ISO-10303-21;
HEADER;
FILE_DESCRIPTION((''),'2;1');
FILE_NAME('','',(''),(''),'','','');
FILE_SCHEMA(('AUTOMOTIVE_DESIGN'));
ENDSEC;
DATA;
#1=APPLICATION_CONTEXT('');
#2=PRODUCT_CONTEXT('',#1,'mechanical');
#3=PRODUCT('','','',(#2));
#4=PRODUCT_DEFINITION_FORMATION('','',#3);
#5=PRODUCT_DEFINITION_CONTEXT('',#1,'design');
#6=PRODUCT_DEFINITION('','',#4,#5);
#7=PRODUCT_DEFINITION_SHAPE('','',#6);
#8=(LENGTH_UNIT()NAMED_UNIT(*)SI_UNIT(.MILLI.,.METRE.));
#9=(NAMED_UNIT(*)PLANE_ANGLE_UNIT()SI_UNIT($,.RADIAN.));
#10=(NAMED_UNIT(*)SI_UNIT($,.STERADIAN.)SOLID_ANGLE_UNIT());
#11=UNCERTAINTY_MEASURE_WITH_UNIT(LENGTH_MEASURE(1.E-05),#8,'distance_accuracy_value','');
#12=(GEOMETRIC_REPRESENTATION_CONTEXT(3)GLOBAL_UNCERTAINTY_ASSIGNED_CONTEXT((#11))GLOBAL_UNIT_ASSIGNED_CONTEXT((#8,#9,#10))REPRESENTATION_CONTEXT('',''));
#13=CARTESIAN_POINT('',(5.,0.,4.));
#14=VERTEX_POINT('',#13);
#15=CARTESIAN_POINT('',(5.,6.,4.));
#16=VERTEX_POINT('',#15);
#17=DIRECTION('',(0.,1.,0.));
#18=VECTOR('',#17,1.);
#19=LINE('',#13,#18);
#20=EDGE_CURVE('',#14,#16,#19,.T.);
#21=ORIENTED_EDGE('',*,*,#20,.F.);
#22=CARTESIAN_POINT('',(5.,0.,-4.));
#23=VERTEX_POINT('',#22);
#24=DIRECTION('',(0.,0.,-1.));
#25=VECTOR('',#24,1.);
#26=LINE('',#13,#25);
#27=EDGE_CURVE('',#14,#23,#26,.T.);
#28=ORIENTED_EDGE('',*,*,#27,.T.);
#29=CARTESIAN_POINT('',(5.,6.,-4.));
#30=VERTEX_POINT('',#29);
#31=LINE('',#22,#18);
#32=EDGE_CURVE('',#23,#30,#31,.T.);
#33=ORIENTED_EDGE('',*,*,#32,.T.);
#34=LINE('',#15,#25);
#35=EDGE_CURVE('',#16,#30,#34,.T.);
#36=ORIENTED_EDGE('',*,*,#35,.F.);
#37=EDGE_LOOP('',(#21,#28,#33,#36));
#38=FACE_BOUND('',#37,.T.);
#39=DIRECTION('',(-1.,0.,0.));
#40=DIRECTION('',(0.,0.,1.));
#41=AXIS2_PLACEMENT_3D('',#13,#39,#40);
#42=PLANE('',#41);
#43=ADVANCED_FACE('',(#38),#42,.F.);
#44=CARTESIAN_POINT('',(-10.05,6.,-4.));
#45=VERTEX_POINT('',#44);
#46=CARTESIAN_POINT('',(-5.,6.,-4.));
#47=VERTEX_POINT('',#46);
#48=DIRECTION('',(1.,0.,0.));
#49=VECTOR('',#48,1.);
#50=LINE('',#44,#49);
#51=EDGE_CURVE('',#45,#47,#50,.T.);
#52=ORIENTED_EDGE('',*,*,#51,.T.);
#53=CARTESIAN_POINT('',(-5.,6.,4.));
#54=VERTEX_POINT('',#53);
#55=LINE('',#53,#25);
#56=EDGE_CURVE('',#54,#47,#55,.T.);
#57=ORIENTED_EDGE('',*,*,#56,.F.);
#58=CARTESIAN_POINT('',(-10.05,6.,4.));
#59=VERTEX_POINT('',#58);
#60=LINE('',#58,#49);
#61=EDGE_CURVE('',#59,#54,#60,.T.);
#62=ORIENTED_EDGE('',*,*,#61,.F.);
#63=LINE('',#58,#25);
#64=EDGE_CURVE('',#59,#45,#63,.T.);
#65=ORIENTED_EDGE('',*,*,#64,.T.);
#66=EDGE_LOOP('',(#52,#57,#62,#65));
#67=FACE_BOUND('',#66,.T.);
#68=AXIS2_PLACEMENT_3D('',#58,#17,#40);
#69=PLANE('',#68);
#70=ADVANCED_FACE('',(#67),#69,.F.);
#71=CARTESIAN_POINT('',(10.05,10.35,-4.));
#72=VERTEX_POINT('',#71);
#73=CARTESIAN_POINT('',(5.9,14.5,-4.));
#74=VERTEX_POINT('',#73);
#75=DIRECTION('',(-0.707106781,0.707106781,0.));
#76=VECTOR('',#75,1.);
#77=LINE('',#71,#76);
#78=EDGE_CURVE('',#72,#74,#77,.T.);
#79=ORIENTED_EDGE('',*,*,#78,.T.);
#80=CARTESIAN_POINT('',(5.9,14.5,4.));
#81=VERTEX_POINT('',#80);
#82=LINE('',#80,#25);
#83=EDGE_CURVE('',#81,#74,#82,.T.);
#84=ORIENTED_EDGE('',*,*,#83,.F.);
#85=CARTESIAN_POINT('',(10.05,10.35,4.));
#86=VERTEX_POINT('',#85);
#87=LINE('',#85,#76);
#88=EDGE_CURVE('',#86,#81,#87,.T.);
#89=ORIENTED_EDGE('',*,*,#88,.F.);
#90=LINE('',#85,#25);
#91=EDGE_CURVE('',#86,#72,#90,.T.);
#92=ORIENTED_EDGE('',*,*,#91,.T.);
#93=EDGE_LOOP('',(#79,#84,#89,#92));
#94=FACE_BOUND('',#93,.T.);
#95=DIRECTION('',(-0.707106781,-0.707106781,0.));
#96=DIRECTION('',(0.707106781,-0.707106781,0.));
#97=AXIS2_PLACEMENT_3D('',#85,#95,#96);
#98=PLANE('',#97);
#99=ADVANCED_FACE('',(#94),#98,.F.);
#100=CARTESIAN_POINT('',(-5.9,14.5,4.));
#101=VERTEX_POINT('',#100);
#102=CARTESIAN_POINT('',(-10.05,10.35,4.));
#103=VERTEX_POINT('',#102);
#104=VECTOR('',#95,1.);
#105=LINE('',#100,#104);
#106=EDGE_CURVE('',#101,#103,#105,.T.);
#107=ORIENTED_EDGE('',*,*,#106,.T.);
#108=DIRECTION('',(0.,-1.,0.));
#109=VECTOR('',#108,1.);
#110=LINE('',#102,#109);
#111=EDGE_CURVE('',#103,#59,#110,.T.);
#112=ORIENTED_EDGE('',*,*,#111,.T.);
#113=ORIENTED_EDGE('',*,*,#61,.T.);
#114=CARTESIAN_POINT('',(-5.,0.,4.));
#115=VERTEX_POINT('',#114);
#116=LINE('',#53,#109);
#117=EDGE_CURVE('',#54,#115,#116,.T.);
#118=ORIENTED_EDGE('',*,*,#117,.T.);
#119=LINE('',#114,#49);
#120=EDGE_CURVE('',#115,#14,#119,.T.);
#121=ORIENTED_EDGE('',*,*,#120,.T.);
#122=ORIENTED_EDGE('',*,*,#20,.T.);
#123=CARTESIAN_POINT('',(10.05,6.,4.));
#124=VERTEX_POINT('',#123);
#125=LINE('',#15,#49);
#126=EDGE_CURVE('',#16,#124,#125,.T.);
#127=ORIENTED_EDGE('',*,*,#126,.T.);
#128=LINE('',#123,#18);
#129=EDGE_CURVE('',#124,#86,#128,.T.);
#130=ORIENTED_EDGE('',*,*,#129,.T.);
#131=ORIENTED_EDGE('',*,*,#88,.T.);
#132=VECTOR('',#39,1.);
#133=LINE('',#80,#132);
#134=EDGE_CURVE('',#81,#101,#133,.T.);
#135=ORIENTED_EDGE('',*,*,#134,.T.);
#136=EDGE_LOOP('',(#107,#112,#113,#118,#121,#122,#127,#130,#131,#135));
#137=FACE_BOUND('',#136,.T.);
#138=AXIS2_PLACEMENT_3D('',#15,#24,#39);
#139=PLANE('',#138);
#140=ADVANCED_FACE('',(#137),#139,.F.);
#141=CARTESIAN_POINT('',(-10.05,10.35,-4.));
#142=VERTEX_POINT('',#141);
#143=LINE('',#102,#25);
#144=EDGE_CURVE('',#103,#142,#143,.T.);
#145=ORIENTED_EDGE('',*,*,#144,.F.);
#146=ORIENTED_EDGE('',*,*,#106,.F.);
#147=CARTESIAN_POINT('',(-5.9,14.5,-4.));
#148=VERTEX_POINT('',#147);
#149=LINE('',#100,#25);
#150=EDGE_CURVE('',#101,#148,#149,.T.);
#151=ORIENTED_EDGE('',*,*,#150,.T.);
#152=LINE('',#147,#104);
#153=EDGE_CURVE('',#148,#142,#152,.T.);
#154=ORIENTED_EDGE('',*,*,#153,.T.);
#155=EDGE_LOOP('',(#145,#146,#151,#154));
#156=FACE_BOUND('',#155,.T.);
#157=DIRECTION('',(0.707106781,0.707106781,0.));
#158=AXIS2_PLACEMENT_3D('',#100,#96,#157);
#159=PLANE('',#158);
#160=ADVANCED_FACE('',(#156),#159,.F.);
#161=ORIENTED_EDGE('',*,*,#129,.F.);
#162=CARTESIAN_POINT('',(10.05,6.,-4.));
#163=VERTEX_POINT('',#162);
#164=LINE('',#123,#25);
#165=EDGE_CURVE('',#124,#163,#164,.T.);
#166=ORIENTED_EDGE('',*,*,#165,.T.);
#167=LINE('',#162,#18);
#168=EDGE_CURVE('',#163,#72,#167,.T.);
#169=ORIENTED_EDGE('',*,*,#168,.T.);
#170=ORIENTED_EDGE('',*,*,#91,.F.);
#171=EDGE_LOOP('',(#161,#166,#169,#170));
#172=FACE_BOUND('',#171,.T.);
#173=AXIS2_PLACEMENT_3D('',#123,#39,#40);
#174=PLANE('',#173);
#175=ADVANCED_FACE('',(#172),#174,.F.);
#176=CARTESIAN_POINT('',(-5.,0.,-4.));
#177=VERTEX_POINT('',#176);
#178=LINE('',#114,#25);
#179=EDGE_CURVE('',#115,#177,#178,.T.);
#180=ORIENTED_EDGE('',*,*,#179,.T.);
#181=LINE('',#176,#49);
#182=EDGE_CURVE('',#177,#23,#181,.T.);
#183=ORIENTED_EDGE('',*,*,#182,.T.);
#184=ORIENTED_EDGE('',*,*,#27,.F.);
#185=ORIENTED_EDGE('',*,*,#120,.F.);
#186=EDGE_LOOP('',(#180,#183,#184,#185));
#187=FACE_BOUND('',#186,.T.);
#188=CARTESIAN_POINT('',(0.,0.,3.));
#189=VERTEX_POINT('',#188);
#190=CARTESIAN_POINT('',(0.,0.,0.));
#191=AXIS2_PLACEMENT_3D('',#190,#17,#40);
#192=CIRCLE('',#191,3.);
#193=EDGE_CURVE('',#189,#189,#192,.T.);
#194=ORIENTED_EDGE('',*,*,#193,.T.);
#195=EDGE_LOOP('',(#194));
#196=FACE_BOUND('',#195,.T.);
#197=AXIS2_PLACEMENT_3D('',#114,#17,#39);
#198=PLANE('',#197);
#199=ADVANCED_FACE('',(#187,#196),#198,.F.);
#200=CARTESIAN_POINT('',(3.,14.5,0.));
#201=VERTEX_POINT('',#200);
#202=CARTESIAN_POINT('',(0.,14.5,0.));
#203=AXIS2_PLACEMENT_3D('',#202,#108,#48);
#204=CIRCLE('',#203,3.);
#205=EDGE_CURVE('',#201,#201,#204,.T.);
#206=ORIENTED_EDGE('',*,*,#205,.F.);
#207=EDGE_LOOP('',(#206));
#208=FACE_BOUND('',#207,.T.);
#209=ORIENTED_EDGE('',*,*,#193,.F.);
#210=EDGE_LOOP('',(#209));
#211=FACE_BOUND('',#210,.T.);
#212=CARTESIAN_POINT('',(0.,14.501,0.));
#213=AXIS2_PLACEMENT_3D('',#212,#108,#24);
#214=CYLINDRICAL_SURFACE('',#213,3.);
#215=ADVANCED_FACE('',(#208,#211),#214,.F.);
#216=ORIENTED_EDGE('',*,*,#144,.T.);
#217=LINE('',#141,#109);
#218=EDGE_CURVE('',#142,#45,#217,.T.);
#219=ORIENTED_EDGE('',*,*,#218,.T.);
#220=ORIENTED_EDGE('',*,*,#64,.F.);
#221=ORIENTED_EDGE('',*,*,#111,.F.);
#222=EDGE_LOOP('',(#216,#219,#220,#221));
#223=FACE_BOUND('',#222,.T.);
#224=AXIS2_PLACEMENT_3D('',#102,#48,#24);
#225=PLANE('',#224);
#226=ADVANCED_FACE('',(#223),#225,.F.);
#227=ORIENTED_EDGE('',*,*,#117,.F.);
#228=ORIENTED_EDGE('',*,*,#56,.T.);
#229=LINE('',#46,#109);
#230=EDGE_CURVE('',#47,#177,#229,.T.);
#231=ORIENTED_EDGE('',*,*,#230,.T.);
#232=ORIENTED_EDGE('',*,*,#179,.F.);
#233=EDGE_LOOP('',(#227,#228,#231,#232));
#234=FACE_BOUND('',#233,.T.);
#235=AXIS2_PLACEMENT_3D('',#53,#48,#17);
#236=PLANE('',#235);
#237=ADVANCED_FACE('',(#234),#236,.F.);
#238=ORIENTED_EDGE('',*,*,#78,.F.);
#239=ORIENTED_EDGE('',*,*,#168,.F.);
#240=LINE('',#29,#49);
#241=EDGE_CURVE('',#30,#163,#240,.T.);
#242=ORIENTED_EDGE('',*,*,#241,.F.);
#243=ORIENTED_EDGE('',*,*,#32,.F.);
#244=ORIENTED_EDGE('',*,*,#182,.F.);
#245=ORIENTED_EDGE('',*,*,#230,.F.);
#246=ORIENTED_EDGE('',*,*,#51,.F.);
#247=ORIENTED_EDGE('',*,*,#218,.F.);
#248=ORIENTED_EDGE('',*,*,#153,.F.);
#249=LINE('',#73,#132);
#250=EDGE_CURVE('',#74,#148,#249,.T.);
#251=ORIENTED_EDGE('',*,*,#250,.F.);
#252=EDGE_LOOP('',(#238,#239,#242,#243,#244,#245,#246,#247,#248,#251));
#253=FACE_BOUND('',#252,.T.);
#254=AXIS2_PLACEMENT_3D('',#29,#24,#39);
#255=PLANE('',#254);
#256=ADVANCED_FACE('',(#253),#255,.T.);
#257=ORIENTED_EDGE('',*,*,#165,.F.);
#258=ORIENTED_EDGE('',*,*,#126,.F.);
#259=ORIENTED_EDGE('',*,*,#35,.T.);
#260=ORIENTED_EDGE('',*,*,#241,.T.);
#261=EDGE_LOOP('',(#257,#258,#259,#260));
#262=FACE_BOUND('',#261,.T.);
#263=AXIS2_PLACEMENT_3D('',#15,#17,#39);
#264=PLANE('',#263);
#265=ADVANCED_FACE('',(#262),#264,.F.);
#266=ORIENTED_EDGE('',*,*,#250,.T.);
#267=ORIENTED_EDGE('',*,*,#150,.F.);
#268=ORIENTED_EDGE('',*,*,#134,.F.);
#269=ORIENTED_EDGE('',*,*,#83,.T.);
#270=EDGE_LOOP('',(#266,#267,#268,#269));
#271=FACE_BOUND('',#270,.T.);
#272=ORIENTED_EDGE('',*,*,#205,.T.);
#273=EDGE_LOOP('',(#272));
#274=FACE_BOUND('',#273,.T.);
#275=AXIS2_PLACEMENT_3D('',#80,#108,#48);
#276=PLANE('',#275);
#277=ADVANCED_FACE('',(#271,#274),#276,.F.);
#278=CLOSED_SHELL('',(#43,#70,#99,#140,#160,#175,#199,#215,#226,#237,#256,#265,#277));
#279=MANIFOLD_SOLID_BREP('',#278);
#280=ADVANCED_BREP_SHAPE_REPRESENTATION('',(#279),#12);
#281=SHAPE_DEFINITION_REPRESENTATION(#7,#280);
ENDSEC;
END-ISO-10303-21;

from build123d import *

# Parameters (mm, degrees)
EXTRUDE1_DEPTH     = 4
CUT_EXTRUDE1_REACH = 16.5
SKETCH2_R          = 3


with BuildPart() as part:
    # Sketch1 → Extrude1 (new body, symmetric)
    with BuildSketch(Plane.XY):
        Polygon((-5, 0), (5, 0), (5, 6), (10.05, 6), (10.05, 10.35), (5.9, 14.5), (-5.9, 14.5), (-10.05, 10.35), (-10.05, 6), (-5, 6), align=None)
    extrude(amount=EXTRUDE1_DEPTH, both=True)

    # Sketch2 → Cut-Extrude1 (cut, up to next)
    with BuildSketch(Plane(origin=(0, 0, 0), x_dir=(1, 0, 0), z_dir=(0, 1, 0)), mode=Mode.PRIVATE) as cut_extrude1_sk1:
        Circle(SKETCH2_R)
    cut_extrude1_tool1 = extrude(cut_extrude1_sk1.sketch, amount=CUT_EXTRUDE1_REACH, mode=Mode.PRIVATE) & part.part
    add(cut_extrude1_tool1.solids().sort_by_distance((0, 0, 0))[0], mode=Mode.SUBTRACT)


solid = part.part
